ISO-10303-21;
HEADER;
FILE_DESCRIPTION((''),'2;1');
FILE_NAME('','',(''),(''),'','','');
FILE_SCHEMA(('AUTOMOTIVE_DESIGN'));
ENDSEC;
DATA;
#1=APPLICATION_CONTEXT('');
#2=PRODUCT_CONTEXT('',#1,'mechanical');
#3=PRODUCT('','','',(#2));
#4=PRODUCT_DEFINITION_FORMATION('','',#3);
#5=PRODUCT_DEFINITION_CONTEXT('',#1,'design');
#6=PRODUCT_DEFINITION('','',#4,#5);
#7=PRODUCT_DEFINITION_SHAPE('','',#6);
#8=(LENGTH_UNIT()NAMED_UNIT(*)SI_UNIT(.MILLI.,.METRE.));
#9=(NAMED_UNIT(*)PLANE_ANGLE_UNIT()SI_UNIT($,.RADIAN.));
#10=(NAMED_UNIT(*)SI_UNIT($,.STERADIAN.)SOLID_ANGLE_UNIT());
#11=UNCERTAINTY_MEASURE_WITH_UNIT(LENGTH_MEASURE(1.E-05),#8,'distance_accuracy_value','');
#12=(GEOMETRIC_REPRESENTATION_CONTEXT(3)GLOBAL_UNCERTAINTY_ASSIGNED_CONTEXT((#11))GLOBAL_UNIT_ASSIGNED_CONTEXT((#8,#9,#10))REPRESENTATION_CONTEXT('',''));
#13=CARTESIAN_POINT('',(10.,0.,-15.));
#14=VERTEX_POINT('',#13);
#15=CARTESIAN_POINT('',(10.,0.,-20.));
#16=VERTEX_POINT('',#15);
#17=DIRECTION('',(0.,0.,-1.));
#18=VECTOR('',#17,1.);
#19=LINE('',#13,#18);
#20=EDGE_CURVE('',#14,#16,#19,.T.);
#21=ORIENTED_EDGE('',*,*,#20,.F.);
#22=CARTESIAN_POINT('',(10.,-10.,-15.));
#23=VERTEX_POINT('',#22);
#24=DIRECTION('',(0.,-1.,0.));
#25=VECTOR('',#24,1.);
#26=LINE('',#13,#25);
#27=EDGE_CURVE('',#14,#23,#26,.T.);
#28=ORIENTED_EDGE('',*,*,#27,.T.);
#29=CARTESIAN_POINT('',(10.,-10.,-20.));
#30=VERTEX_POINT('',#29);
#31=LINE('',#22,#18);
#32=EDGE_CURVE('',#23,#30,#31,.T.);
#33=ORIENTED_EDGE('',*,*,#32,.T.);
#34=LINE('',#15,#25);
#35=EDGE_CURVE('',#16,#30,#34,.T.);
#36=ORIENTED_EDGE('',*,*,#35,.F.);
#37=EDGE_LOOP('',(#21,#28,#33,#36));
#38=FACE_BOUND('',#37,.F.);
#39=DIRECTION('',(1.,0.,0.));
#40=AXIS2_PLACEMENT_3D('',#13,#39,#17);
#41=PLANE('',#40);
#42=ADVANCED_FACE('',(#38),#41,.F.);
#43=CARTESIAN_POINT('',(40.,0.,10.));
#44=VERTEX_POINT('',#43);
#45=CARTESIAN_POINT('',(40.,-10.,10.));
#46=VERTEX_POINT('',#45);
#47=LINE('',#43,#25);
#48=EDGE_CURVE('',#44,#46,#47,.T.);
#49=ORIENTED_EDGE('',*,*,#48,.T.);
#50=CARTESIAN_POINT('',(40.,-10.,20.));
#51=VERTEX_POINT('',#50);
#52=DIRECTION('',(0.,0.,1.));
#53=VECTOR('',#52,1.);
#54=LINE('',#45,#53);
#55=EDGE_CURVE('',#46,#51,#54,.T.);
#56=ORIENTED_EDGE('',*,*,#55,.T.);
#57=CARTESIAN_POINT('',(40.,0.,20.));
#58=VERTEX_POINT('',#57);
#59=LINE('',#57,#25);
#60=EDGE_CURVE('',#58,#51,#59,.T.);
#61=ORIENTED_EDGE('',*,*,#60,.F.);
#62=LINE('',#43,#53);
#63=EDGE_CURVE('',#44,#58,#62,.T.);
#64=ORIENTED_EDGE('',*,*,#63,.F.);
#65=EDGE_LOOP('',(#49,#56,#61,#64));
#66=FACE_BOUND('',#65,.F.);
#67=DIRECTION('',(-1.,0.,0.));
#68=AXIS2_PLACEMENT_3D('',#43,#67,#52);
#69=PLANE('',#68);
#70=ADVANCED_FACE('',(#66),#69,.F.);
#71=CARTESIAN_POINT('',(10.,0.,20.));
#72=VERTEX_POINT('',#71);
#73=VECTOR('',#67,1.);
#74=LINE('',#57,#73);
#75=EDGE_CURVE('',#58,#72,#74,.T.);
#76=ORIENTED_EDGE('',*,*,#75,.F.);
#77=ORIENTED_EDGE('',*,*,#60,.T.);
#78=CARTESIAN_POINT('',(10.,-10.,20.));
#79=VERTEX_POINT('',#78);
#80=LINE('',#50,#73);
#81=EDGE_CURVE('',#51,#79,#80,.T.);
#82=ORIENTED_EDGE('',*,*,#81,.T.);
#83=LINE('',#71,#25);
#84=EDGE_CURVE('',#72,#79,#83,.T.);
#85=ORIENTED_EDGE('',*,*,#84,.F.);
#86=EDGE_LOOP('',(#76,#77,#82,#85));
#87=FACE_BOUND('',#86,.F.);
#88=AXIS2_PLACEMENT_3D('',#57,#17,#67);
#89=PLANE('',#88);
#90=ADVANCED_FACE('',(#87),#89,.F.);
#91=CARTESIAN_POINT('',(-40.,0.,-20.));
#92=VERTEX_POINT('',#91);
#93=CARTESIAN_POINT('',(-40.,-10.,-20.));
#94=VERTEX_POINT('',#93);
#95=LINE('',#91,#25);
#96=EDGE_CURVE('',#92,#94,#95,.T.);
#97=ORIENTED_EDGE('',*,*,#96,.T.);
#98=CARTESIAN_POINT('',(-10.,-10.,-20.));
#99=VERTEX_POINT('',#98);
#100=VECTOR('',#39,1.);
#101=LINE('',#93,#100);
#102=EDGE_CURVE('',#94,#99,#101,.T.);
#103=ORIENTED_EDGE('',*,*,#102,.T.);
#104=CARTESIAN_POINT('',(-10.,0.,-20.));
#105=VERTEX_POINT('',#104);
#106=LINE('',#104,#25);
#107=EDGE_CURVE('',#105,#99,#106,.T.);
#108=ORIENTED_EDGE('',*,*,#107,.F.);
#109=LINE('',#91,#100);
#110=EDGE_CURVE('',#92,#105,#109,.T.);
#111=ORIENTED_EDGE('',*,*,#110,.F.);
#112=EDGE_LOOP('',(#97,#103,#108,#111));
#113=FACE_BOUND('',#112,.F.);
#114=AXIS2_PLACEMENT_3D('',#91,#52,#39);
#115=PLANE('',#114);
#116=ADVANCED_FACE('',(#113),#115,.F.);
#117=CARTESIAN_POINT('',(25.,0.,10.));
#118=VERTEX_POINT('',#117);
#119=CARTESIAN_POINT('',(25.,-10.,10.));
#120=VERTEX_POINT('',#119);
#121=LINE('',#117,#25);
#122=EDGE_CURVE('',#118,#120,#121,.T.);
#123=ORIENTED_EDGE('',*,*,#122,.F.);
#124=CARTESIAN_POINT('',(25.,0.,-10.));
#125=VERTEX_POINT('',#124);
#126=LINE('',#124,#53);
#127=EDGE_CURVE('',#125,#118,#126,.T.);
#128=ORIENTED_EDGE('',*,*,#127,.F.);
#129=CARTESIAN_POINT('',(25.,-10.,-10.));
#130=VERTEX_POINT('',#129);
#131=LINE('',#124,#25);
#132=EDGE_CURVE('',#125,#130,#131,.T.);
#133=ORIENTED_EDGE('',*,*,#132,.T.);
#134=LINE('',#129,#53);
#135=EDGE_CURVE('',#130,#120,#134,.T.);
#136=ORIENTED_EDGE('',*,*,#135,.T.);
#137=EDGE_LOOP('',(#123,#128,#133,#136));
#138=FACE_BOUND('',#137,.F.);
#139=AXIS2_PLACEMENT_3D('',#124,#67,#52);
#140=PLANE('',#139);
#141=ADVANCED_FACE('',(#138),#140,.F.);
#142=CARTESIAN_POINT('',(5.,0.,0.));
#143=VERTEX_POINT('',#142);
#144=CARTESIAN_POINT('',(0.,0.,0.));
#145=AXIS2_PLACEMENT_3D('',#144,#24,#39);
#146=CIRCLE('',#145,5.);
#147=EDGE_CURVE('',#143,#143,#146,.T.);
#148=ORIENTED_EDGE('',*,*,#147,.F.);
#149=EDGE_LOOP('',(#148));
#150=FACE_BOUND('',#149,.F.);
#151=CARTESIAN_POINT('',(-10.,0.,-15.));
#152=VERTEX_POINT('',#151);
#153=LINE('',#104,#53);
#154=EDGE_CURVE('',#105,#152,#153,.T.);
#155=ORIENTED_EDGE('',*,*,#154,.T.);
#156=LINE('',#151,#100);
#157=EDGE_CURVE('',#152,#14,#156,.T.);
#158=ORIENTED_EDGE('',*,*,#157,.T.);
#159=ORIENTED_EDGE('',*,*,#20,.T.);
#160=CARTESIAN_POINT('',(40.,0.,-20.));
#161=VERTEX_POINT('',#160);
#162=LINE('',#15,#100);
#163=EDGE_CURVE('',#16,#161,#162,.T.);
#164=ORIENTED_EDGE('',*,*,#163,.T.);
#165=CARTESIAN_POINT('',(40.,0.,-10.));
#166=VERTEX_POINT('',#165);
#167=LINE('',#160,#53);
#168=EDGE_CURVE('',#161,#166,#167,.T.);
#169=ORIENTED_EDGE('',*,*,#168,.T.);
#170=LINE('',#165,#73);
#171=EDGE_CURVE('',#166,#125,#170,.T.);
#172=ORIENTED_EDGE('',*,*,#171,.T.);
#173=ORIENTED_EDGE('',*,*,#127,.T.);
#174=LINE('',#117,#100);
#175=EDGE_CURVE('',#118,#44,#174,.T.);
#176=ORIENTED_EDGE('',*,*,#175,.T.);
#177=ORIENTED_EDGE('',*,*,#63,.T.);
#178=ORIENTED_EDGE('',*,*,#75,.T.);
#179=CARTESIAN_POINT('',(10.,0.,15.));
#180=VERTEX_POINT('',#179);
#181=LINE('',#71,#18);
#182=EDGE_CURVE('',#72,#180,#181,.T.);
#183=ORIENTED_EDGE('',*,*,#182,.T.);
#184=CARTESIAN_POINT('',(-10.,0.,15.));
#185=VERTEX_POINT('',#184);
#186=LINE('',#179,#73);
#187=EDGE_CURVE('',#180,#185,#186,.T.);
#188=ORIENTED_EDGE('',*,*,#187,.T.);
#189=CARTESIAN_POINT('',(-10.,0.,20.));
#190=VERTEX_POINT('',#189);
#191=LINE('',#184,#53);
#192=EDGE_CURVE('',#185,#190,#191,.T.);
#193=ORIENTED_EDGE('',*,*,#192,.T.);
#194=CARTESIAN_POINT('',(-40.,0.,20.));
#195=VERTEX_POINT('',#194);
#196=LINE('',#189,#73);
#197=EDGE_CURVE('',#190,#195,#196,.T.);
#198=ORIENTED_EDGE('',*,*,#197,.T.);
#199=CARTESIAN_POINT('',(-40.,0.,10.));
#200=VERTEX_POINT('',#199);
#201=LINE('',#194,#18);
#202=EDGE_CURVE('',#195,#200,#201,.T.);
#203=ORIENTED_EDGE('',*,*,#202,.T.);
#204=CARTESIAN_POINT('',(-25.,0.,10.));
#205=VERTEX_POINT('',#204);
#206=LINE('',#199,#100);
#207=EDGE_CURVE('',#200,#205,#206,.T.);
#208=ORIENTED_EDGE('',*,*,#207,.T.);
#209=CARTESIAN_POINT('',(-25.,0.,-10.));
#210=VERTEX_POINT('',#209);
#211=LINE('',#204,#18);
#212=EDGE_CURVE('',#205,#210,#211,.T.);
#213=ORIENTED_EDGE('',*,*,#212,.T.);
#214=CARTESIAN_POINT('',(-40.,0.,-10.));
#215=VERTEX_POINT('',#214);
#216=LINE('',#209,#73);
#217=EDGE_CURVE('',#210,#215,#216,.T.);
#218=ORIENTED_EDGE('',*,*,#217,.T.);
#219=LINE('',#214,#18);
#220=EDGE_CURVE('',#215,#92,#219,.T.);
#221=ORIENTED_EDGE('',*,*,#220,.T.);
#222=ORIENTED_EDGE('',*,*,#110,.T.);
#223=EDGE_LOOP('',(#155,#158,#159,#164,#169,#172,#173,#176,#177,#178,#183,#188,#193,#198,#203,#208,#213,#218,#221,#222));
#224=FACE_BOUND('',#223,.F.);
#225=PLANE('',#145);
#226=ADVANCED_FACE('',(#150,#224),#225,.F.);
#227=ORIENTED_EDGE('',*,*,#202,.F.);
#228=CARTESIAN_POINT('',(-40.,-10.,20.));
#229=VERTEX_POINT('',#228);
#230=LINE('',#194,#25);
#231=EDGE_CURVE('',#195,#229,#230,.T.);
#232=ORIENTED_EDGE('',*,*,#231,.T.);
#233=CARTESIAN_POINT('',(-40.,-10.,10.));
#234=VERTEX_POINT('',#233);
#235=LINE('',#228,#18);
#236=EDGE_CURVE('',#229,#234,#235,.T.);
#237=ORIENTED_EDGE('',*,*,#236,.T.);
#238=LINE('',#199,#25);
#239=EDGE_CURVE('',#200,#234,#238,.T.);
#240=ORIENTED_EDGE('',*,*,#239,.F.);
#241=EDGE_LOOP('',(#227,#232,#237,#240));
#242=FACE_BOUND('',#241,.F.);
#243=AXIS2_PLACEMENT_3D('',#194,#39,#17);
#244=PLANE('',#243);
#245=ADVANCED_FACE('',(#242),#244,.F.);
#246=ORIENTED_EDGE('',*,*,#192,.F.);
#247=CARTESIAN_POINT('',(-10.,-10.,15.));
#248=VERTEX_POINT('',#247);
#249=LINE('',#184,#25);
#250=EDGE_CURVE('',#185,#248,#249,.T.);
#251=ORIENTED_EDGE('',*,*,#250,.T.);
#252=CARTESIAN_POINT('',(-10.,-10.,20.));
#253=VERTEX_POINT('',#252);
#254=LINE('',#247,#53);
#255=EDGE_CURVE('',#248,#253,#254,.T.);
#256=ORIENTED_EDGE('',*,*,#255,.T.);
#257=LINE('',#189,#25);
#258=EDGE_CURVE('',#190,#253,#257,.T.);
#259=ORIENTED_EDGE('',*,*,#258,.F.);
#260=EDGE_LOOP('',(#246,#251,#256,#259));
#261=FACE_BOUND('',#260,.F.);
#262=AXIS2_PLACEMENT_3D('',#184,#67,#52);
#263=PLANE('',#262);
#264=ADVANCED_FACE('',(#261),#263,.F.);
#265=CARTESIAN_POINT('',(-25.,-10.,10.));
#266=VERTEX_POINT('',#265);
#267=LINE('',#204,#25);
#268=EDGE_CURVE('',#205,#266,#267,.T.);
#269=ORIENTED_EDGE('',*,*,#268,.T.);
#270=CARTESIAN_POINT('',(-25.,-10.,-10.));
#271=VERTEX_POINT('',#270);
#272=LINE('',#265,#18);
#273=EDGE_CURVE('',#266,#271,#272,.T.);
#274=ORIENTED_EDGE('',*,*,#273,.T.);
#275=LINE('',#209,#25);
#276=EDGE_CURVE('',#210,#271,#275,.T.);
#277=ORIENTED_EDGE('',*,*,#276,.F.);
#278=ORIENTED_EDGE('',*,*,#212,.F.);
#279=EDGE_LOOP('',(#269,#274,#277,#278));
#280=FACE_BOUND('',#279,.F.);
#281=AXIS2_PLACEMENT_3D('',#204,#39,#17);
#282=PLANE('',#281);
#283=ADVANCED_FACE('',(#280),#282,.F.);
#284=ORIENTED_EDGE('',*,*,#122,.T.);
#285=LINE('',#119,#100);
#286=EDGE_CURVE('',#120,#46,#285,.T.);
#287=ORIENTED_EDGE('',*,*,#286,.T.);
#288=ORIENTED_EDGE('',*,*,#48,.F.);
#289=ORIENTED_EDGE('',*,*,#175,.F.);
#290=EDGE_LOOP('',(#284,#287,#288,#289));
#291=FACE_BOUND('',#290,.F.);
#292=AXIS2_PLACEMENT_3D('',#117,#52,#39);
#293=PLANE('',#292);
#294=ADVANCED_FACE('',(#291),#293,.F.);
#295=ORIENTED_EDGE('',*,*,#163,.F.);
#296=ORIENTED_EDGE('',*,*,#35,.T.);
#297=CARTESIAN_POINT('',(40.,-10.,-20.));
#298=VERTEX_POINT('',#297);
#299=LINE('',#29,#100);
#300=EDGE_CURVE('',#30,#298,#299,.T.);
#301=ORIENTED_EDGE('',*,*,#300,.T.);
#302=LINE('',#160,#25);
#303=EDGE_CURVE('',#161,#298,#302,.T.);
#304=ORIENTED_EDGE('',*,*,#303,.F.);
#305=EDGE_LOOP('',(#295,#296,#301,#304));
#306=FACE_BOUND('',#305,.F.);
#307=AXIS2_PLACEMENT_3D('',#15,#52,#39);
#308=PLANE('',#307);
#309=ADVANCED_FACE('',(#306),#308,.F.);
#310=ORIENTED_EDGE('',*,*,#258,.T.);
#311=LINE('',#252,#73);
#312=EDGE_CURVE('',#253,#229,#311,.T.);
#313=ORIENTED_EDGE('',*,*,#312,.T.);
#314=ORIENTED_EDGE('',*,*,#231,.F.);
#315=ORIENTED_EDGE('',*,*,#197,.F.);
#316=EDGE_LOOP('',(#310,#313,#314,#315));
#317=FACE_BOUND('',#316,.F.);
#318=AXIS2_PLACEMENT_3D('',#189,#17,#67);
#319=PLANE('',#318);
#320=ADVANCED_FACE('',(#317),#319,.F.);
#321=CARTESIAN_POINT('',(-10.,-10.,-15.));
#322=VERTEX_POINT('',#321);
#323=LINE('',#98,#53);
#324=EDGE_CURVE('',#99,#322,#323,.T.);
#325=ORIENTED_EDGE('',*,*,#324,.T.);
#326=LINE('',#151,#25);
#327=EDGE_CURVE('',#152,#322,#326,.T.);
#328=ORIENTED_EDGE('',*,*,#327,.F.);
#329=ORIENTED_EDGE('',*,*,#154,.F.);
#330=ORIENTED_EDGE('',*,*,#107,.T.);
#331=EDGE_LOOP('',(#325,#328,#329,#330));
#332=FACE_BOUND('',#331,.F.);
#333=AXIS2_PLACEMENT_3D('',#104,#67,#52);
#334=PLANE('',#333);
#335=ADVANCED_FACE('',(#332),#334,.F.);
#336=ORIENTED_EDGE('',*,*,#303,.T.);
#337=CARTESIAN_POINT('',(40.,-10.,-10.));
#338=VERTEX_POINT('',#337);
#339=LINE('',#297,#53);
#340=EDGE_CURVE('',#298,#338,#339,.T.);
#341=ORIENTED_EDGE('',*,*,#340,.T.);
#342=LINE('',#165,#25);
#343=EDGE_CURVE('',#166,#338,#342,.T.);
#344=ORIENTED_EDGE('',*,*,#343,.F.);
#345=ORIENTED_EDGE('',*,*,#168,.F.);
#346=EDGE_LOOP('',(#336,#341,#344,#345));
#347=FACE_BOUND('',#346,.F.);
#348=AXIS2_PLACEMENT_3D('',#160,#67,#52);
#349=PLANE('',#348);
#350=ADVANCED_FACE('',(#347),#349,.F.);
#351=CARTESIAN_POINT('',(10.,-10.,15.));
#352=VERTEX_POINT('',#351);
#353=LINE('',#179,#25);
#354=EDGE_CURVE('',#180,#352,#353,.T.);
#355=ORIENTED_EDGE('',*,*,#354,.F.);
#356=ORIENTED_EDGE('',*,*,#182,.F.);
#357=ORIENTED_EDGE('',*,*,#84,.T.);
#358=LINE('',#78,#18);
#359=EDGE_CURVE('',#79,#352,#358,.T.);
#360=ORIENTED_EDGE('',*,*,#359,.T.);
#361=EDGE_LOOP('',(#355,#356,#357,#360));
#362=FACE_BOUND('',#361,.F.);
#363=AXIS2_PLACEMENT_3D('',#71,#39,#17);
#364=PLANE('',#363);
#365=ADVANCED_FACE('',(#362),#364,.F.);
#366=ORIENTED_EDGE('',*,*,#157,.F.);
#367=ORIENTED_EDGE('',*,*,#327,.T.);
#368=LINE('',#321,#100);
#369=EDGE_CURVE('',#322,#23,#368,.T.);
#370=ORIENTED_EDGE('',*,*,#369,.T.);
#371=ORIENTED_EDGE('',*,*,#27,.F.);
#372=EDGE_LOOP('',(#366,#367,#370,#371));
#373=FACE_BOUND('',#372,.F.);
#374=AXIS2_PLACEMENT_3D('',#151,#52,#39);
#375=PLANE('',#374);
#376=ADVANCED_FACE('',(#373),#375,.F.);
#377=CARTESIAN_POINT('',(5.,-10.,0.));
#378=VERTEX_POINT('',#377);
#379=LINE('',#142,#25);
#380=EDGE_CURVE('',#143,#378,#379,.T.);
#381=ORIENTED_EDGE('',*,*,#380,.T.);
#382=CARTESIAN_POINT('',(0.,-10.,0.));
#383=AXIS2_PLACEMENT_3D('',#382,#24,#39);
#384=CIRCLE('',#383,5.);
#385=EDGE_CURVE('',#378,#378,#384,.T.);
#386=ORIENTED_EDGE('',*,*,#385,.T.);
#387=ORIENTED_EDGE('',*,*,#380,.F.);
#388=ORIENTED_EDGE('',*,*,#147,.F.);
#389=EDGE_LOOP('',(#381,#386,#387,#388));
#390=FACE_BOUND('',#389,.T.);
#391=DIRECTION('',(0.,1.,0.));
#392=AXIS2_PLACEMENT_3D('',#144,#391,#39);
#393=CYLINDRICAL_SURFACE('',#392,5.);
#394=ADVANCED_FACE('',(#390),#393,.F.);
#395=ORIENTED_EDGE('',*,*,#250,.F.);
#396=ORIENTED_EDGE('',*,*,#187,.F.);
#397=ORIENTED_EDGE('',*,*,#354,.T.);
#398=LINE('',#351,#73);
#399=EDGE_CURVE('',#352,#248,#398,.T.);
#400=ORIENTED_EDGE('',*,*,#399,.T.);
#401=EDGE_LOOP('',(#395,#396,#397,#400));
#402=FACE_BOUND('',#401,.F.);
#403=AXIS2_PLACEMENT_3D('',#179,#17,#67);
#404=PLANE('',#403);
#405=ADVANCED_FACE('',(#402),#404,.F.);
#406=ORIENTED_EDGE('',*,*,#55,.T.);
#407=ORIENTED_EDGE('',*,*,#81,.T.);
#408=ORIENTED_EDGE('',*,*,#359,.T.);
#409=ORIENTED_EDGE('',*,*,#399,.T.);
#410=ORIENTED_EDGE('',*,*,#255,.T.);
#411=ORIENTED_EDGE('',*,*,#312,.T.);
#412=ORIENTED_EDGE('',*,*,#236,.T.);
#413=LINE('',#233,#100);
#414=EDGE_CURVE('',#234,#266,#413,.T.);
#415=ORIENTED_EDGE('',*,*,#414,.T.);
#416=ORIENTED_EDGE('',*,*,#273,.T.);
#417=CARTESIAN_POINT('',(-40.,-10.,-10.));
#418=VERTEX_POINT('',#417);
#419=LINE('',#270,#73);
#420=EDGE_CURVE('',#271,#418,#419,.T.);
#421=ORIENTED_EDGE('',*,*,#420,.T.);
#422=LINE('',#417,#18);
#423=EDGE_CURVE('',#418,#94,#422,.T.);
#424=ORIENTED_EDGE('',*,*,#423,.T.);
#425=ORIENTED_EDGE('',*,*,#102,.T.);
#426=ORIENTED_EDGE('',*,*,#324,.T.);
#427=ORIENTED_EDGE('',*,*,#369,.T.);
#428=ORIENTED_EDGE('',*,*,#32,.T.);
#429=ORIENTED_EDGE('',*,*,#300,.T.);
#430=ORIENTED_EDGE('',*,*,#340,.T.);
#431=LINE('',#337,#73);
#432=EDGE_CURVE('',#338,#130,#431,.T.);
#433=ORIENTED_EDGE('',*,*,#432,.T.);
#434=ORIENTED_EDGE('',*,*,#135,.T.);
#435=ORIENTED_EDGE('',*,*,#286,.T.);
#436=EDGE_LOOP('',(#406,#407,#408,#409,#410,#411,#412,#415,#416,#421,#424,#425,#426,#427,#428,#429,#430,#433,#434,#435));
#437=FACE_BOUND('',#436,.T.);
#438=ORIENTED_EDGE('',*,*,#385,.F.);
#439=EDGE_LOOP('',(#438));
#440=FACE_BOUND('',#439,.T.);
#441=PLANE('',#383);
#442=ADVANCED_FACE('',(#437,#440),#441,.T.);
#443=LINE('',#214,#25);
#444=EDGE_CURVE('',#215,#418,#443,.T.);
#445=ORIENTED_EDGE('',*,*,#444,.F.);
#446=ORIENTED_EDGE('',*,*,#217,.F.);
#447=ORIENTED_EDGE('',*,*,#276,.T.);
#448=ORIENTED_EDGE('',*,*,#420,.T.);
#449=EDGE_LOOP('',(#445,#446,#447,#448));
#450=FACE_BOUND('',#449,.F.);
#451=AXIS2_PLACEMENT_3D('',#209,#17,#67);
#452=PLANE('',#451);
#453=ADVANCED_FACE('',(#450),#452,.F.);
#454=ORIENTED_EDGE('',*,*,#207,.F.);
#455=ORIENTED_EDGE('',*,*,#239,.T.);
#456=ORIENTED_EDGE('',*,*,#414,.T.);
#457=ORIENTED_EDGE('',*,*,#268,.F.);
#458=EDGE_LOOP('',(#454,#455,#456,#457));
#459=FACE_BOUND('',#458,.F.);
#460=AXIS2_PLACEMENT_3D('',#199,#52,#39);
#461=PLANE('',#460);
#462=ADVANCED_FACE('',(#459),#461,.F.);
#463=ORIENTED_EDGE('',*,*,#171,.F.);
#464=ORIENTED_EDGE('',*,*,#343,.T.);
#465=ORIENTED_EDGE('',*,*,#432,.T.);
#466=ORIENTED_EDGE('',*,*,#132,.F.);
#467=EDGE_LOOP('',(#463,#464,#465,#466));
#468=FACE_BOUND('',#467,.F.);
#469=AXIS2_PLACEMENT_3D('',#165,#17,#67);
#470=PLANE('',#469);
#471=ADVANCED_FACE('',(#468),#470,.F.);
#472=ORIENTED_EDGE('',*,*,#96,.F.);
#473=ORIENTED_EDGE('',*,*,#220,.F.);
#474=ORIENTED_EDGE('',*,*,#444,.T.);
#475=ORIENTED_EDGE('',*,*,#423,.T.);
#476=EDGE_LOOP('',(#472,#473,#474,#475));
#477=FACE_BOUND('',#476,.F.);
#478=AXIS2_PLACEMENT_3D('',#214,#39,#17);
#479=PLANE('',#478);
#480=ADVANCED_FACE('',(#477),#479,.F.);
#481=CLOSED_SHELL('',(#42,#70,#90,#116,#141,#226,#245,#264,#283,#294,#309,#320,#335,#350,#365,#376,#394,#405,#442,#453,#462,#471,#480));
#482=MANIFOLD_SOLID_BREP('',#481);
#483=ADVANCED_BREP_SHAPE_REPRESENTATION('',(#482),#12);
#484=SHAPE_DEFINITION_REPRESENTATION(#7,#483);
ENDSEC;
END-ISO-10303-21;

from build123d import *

# Parameters (mm, degrees)
F0_R     = 5
F1_DEPTH = 10


with BuildPart() as f1:
    # F0 (on Front) → F1 (new body)
    with BuildSketch(Plane.XZ):
        Polygon((10, 20), (10, 15), (0, 15), (-10, 15), (-10, 20), (-40, 20), (-40, 10), (-25, 10), (-25, 0), (-25, -10), (-40, -10), (-40, -20), (-10, -20), (-10, -15), (0, -15), (10, -15), (10, -20), (40, -20), (40, -10), (25, -10), (25, 0), (25, 10), (40, 10), (40, 20), align=None)
        Circle(F0_R, mode=Mode.SUBTRACT)
    extrude(amount=F1_DEPTH)


solid = f1.part
